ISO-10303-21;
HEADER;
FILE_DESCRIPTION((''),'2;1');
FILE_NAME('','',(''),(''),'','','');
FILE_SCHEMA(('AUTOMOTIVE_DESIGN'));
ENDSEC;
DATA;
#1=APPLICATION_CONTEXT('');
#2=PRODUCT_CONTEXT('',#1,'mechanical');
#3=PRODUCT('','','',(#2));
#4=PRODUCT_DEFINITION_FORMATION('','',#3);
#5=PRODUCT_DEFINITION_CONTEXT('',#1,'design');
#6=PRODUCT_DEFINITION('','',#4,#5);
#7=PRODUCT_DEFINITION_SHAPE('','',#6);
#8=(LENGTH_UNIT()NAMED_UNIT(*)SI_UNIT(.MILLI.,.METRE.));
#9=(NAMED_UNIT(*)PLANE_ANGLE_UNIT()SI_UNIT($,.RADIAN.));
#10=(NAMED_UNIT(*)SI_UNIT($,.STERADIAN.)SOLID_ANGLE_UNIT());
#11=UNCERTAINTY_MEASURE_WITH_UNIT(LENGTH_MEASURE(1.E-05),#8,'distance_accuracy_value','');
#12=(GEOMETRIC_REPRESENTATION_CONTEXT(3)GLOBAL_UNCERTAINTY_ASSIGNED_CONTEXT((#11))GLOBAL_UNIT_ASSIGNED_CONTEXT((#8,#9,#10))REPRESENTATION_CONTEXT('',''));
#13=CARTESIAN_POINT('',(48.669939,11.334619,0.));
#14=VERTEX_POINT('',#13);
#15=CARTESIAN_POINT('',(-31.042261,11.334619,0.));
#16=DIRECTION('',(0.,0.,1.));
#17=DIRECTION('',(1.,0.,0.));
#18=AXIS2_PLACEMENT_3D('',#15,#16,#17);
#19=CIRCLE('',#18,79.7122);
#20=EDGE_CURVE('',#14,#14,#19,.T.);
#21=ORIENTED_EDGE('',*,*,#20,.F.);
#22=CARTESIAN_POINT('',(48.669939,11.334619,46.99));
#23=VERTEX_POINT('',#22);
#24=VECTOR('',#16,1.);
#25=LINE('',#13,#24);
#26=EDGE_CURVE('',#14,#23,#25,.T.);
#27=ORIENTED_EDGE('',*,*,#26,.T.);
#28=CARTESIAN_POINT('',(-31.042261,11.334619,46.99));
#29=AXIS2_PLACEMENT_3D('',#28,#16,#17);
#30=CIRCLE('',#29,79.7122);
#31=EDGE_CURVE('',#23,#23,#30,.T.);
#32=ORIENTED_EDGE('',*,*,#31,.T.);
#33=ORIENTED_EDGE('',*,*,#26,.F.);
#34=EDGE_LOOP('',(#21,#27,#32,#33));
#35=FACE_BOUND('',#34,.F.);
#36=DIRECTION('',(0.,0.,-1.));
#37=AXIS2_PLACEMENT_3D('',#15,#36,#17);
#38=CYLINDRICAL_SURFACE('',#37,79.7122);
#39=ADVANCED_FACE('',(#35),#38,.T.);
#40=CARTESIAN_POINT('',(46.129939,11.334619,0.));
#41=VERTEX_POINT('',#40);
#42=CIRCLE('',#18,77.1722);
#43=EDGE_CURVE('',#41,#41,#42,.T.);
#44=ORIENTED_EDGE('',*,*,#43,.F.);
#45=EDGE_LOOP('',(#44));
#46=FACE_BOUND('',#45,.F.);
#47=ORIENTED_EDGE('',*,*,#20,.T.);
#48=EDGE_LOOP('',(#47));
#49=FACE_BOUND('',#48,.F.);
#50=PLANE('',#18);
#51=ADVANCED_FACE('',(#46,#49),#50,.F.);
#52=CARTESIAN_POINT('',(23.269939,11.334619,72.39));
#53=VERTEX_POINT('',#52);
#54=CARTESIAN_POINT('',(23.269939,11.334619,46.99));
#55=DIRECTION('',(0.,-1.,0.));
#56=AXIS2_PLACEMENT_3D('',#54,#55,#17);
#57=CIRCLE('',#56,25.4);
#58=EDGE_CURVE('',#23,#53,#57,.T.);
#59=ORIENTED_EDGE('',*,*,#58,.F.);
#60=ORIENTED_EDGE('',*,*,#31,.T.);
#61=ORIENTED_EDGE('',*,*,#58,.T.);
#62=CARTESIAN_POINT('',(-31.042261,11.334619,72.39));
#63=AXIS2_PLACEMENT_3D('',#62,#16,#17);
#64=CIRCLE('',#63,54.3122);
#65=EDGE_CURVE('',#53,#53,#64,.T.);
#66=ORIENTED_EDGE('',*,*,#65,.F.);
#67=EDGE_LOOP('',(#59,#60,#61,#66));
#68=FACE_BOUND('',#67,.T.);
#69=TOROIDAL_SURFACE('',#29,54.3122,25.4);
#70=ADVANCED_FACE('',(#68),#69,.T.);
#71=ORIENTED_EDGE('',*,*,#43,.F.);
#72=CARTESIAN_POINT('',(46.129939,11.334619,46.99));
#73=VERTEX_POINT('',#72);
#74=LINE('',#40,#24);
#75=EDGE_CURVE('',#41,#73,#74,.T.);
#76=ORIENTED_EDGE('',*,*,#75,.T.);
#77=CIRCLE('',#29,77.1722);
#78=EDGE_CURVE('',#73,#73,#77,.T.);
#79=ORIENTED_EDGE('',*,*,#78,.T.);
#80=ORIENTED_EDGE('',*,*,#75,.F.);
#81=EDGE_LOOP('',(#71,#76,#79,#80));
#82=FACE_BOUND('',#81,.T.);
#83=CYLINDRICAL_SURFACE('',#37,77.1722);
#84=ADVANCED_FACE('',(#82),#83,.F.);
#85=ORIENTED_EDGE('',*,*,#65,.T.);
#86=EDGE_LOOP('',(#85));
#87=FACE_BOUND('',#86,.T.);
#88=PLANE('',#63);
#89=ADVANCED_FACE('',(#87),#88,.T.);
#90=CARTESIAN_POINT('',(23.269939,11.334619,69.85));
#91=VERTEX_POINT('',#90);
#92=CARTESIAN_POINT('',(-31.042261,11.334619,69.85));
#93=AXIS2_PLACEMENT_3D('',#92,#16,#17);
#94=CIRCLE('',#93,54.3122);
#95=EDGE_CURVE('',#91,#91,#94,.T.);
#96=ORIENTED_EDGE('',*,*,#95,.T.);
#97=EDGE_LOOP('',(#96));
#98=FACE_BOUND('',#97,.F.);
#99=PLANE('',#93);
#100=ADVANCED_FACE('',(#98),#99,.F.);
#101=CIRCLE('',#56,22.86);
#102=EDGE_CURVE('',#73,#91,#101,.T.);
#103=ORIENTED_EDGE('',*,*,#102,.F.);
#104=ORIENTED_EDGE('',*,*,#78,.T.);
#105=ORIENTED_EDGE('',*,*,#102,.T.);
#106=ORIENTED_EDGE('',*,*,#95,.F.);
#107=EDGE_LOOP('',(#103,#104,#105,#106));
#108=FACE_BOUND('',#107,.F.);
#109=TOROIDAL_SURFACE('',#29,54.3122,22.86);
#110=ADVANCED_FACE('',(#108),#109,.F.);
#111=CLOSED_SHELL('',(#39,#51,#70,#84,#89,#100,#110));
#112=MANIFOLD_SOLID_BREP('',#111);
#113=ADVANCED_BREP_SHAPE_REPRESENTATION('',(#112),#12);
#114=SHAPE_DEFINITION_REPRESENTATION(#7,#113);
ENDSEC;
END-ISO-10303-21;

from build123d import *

# Parameters (mm, degrees)
F0_R     = 79.7122
F1_DEPTH = 72.39
F2_R     = 25.4
F3_T     = -2.54


with BuildPart() as f1:
    # F0 (on Top) → F1 (new body)
    with BuildSketch(Plane.XY):
        with Locations((-31.042261, 11.334619)):
            Circle(F0_R)
    extrude(amount=F1_DEPTH)

    # F2
    f2_edges = [f1.edges().sort_by_distance(p)[0] for p in [
        (-110.754461, 11.334619, 72.39),
    ]]
    fillet(f2_edges, radius=F2_R)

    # F3
    f3_openings = [f1.faces().sort_by_distance(p)[0] for p in [
        (-31.042261, 11.334619, 0),
    ]]
    offset(amount=F3_T, openings=f3_openings)


solid = f1.part
